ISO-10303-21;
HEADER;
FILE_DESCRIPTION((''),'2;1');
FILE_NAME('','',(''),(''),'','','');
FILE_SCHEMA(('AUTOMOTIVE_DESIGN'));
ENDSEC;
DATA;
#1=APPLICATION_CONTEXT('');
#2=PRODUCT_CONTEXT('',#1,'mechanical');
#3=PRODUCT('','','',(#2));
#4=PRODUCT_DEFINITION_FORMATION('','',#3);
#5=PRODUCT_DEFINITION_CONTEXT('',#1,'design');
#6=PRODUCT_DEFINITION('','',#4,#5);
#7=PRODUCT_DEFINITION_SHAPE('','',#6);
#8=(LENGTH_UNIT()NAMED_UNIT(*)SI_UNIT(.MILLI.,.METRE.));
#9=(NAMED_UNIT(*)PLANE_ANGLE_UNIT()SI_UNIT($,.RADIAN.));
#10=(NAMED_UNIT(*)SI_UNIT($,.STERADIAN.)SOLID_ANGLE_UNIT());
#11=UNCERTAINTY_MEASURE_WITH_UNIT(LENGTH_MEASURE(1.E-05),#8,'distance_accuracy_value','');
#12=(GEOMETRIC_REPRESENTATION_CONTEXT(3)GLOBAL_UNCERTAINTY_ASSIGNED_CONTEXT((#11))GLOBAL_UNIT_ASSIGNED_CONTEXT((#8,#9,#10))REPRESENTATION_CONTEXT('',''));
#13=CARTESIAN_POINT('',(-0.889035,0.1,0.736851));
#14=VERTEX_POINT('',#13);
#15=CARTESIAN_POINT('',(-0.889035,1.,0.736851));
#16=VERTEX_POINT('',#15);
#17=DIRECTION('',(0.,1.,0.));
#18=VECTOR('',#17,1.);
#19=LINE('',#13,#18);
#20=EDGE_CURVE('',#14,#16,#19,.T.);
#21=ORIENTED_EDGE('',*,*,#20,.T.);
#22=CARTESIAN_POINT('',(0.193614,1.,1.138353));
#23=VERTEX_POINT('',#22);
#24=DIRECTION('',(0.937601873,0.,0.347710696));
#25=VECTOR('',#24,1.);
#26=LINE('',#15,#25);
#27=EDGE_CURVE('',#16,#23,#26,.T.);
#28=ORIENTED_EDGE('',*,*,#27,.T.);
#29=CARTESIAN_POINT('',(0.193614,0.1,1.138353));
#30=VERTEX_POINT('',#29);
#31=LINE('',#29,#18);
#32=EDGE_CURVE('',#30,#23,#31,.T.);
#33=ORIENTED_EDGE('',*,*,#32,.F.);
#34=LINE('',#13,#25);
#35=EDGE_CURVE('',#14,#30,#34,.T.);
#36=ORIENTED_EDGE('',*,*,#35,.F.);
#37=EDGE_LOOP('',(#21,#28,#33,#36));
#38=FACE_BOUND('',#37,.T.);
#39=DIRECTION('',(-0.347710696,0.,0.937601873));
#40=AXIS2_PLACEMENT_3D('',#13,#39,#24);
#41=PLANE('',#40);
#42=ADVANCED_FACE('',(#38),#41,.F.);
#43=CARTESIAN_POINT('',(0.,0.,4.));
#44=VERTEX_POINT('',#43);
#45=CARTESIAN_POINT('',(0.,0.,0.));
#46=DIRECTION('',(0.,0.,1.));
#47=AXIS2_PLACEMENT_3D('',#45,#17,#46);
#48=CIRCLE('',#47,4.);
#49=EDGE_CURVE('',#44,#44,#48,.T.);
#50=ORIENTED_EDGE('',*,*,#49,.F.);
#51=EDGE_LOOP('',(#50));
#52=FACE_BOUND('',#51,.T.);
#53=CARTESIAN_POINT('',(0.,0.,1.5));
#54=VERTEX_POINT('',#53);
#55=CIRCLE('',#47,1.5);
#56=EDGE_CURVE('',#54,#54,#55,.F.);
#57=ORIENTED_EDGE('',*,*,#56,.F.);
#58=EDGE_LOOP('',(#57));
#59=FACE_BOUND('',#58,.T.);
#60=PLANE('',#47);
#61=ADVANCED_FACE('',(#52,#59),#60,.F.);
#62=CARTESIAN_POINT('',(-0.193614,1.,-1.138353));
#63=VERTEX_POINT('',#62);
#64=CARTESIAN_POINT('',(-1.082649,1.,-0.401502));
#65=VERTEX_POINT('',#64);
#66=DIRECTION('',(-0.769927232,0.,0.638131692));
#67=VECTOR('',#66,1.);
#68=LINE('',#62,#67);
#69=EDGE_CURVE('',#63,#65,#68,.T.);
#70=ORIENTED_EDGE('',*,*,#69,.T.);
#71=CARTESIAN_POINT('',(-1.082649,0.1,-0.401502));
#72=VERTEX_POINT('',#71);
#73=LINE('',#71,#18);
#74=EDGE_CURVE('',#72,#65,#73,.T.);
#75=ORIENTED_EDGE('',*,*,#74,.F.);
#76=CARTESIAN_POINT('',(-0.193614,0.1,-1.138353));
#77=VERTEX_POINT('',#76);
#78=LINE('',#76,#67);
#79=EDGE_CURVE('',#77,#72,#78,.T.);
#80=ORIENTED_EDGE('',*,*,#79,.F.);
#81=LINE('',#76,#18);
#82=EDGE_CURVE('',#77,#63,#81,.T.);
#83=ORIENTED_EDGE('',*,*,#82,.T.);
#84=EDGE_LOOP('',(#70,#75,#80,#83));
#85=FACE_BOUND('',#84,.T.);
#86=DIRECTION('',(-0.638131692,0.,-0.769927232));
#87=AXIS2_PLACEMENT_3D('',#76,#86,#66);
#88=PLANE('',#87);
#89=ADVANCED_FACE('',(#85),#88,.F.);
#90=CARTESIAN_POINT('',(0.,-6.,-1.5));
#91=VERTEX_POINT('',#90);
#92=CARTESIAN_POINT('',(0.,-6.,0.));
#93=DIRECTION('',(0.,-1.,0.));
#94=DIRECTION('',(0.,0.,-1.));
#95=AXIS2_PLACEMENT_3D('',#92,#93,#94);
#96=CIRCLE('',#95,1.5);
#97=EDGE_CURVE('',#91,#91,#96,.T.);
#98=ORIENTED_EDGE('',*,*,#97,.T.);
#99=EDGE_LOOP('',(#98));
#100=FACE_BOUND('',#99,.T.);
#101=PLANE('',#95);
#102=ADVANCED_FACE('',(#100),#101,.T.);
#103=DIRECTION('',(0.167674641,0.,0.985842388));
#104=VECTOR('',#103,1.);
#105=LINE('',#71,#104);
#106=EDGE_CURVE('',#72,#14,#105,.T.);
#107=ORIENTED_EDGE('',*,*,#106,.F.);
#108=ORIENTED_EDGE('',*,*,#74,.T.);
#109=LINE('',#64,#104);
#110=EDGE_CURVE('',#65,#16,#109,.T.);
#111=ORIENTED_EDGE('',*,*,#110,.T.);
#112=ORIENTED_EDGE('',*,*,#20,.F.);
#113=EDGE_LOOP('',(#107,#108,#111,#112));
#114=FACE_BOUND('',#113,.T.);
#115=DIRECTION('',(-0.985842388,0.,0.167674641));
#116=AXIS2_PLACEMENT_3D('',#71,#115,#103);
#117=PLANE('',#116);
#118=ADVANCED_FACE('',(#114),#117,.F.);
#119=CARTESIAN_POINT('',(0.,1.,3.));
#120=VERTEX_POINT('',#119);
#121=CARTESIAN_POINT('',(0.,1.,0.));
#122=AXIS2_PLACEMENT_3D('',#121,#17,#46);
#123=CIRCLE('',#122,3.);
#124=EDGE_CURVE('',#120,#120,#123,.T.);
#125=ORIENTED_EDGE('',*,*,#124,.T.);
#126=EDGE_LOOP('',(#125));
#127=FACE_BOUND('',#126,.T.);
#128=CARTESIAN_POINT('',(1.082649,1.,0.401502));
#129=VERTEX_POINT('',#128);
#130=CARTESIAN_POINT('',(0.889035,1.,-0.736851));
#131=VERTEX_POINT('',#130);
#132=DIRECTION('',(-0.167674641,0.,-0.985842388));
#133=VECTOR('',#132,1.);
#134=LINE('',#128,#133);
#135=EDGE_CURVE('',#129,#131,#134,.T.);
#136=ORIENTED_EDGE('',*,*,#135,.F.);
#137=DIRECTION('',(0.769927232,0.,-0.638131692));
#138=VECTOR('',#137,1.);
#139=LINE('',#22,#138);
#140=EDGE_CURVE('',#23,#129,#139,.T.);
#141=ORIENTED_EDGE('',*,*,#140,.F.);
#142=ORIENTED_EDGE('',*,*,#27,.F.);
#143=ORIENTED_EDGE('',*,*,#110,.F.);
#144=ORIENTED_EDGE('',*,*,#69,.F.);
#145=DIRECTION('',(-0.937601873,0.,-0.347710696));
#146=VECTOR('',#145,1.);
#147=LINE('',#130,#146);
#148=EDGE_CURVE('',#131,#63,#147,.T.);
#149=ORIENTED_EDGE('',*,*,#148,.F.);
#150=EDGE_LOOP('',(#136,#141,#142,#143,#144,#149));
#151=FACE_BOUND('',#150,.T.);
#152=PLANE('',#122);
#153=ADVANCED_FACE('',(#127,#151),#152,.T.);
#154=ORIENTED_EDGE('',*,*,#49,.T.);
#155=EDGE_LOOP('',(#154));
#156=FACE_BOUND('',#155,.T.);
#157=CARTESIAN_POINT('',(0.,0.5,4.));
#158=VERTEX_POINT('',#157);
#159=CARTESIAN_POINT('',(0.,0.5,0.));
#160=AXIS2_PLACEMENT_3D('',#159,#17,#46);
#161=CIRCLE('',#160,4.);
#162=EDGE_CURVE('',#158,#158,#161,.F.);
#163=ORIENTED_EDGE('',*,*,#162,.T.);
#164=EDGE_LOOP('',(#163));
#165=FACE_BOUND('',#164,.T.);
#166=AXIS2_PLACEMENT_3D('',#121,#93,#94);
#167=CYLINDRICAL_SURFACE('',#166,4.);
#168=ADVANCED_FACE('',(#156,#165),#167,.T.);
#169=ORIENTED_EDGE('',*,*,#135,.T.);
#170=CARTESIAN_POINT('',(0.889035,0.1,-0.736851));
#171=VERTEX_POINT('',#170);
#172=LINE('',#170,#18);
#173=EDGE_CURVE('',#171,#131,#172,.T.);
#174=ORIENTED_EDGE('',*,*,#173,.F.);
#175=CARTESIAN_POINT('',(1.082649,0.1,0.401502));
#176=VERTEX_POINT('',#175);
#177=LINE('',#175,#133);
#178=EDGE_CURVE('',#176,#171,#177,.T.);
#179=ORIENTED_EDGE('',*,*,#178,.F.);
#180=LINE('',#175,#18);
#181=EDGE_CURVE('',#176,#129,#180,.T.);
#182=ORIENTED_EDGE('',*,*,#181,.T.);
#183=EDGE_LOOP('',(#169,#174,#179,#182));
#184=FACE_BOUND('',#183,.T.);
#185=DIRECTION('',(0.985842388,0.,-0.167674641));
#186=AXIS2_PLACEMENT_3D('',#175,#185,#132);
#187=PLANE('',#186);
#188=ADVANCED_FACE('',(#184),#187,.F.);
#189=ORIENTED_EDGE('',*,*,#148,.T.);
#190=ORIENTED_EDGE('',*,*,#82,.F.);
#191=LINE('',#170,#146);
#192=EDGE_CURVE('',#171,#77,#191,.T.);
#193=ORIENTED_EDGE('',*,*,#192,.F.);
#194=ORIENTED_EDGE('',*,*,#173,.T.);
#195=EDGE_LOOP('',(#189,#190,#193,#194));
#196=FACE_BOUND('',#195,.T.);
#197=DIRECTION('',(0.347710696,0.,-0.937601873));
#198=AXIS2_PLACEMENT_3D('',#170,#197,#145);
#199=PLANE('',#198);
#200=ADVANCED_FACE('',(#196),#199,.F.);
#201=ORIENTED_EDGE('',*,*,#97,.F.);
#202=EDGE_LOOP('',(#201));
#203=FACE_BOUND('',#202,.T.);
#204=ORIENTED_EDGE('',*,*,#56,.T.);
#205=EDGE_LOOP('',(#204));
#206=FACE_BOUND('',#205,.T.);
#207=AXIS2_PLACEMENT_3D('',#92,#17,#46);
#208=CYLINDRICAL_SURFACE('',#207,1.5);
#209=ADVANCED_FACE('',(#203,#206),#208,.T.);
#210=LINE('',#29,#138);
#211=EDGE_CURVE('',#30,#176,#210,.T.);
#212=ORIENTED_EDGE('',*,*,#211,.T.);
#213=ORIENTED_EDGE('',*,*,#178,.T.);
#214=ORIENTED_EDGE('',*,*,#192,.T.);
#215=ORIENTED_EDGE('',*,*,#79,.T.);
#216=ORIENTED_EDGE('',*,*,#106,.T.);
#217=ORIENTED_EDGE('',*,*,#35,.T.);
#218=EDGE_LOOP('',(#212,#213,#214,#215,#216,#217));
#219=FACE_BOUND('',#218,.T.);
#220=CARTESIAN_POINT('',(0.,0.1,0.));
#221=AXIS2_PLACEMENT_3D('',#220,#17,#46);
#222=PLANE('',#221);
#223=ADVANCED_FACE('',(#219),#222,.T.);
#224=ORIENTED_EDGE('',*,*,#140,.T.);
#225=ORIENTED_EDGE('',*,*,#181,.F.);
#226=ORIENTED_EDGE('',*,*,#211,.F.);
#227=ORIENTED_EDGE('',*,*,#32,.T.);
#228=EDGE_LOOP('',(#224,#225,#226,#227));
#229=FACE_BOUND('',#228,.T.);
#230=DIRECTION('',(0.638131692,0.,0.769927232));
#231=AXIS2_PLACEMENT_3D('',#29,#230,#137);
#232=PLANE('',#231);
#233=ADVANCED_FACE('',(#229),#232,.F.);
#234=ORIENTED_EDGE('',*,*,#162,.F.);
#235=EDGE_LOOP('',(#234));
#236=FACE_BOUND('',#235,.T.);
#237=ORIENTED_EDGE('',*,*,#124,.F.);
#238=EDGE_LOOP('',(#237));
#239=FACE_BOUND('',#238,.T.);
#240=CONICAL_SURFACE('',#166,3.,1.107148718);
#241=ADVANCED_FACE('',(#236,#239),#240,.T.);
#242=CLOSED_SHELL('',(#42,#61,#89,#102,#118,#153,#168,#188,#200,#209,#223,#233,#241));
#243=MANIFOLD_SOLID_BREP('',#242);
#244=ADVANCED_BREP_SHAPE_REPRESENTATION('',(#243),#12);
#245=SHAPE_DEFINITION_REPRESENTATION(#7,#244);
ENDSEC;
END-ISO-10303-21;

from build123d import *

# Parameters (mm, degrees)
SKETCH1_R           = 4
BOSS_EXTRUDE1_DEPTH = 1
CHAMFER1_SIZE       = 0.5
CHAMFER1_SIZE2      = 1
CUT_EXTRUDE1_DEPTH  = 0.9
SKETCH3_R           = 1.5
BOSS_EXTRUDE2_DEPTH = 6


with BuildPart() as part:
    # Sketch1 → Boss-Extrude1 (new body)
    with BuildSketch(Plane(origin=(0, 0, 0), x_dir=(1, 0, 0), z_dir=(0, 1, 0))):
        with Locations(Location((0, 0, 0), (0, 0, 270))):
            Circle(SKETCH1_R)
    extrude(amount=BOSS_EXTRUDE1_DEPTH)

    # Chamfer1
    chamfer1_edges = [part.edges().sort_by_distance(p)[0] for p in [
        (0, 1, -4),
    ]]
    chamfer1_side = [part.faces().sort_by_distance(p)[0] for p in [
        (0, 0.5, -4),
    ]]
    chamfer(chamfer1_edges, length=CHAMFER1_SIZE, length2=CHAMFER1_SIZE2, reference=chamfer1_side[0])

    # Sketch2 → Cut-Extrude1 (cut)
    with BuildSketch(Plane(origin=(0, 1, 0), x_dir=(1, 0, 0), z_dir=(0, 1, 0))):
        Polygon((0.88903539, 0.736851009), (-0.193613998, 1.138352737), (-1.082649387, 0.401501728), (-0.88903539, -0.736851009), (0.193613998, -1.138352737), (1.082649387, -0.401501728), align=None)
    extrude(amount=-CUT_EXTRUDE1_DEPTH, mode=Mode.SUBTRACT)

    # Sketch3 → Boss-Extrude2 (add)
    with BuildSketch(Plane.XZ):
        with Locations(Location((0, 0, 0), (0, 0, 90))):
            Circle(SKETCH3_R)
    extrude(amount=BOSS_EXTRUDE2_DEPTH)


solid = part.part
